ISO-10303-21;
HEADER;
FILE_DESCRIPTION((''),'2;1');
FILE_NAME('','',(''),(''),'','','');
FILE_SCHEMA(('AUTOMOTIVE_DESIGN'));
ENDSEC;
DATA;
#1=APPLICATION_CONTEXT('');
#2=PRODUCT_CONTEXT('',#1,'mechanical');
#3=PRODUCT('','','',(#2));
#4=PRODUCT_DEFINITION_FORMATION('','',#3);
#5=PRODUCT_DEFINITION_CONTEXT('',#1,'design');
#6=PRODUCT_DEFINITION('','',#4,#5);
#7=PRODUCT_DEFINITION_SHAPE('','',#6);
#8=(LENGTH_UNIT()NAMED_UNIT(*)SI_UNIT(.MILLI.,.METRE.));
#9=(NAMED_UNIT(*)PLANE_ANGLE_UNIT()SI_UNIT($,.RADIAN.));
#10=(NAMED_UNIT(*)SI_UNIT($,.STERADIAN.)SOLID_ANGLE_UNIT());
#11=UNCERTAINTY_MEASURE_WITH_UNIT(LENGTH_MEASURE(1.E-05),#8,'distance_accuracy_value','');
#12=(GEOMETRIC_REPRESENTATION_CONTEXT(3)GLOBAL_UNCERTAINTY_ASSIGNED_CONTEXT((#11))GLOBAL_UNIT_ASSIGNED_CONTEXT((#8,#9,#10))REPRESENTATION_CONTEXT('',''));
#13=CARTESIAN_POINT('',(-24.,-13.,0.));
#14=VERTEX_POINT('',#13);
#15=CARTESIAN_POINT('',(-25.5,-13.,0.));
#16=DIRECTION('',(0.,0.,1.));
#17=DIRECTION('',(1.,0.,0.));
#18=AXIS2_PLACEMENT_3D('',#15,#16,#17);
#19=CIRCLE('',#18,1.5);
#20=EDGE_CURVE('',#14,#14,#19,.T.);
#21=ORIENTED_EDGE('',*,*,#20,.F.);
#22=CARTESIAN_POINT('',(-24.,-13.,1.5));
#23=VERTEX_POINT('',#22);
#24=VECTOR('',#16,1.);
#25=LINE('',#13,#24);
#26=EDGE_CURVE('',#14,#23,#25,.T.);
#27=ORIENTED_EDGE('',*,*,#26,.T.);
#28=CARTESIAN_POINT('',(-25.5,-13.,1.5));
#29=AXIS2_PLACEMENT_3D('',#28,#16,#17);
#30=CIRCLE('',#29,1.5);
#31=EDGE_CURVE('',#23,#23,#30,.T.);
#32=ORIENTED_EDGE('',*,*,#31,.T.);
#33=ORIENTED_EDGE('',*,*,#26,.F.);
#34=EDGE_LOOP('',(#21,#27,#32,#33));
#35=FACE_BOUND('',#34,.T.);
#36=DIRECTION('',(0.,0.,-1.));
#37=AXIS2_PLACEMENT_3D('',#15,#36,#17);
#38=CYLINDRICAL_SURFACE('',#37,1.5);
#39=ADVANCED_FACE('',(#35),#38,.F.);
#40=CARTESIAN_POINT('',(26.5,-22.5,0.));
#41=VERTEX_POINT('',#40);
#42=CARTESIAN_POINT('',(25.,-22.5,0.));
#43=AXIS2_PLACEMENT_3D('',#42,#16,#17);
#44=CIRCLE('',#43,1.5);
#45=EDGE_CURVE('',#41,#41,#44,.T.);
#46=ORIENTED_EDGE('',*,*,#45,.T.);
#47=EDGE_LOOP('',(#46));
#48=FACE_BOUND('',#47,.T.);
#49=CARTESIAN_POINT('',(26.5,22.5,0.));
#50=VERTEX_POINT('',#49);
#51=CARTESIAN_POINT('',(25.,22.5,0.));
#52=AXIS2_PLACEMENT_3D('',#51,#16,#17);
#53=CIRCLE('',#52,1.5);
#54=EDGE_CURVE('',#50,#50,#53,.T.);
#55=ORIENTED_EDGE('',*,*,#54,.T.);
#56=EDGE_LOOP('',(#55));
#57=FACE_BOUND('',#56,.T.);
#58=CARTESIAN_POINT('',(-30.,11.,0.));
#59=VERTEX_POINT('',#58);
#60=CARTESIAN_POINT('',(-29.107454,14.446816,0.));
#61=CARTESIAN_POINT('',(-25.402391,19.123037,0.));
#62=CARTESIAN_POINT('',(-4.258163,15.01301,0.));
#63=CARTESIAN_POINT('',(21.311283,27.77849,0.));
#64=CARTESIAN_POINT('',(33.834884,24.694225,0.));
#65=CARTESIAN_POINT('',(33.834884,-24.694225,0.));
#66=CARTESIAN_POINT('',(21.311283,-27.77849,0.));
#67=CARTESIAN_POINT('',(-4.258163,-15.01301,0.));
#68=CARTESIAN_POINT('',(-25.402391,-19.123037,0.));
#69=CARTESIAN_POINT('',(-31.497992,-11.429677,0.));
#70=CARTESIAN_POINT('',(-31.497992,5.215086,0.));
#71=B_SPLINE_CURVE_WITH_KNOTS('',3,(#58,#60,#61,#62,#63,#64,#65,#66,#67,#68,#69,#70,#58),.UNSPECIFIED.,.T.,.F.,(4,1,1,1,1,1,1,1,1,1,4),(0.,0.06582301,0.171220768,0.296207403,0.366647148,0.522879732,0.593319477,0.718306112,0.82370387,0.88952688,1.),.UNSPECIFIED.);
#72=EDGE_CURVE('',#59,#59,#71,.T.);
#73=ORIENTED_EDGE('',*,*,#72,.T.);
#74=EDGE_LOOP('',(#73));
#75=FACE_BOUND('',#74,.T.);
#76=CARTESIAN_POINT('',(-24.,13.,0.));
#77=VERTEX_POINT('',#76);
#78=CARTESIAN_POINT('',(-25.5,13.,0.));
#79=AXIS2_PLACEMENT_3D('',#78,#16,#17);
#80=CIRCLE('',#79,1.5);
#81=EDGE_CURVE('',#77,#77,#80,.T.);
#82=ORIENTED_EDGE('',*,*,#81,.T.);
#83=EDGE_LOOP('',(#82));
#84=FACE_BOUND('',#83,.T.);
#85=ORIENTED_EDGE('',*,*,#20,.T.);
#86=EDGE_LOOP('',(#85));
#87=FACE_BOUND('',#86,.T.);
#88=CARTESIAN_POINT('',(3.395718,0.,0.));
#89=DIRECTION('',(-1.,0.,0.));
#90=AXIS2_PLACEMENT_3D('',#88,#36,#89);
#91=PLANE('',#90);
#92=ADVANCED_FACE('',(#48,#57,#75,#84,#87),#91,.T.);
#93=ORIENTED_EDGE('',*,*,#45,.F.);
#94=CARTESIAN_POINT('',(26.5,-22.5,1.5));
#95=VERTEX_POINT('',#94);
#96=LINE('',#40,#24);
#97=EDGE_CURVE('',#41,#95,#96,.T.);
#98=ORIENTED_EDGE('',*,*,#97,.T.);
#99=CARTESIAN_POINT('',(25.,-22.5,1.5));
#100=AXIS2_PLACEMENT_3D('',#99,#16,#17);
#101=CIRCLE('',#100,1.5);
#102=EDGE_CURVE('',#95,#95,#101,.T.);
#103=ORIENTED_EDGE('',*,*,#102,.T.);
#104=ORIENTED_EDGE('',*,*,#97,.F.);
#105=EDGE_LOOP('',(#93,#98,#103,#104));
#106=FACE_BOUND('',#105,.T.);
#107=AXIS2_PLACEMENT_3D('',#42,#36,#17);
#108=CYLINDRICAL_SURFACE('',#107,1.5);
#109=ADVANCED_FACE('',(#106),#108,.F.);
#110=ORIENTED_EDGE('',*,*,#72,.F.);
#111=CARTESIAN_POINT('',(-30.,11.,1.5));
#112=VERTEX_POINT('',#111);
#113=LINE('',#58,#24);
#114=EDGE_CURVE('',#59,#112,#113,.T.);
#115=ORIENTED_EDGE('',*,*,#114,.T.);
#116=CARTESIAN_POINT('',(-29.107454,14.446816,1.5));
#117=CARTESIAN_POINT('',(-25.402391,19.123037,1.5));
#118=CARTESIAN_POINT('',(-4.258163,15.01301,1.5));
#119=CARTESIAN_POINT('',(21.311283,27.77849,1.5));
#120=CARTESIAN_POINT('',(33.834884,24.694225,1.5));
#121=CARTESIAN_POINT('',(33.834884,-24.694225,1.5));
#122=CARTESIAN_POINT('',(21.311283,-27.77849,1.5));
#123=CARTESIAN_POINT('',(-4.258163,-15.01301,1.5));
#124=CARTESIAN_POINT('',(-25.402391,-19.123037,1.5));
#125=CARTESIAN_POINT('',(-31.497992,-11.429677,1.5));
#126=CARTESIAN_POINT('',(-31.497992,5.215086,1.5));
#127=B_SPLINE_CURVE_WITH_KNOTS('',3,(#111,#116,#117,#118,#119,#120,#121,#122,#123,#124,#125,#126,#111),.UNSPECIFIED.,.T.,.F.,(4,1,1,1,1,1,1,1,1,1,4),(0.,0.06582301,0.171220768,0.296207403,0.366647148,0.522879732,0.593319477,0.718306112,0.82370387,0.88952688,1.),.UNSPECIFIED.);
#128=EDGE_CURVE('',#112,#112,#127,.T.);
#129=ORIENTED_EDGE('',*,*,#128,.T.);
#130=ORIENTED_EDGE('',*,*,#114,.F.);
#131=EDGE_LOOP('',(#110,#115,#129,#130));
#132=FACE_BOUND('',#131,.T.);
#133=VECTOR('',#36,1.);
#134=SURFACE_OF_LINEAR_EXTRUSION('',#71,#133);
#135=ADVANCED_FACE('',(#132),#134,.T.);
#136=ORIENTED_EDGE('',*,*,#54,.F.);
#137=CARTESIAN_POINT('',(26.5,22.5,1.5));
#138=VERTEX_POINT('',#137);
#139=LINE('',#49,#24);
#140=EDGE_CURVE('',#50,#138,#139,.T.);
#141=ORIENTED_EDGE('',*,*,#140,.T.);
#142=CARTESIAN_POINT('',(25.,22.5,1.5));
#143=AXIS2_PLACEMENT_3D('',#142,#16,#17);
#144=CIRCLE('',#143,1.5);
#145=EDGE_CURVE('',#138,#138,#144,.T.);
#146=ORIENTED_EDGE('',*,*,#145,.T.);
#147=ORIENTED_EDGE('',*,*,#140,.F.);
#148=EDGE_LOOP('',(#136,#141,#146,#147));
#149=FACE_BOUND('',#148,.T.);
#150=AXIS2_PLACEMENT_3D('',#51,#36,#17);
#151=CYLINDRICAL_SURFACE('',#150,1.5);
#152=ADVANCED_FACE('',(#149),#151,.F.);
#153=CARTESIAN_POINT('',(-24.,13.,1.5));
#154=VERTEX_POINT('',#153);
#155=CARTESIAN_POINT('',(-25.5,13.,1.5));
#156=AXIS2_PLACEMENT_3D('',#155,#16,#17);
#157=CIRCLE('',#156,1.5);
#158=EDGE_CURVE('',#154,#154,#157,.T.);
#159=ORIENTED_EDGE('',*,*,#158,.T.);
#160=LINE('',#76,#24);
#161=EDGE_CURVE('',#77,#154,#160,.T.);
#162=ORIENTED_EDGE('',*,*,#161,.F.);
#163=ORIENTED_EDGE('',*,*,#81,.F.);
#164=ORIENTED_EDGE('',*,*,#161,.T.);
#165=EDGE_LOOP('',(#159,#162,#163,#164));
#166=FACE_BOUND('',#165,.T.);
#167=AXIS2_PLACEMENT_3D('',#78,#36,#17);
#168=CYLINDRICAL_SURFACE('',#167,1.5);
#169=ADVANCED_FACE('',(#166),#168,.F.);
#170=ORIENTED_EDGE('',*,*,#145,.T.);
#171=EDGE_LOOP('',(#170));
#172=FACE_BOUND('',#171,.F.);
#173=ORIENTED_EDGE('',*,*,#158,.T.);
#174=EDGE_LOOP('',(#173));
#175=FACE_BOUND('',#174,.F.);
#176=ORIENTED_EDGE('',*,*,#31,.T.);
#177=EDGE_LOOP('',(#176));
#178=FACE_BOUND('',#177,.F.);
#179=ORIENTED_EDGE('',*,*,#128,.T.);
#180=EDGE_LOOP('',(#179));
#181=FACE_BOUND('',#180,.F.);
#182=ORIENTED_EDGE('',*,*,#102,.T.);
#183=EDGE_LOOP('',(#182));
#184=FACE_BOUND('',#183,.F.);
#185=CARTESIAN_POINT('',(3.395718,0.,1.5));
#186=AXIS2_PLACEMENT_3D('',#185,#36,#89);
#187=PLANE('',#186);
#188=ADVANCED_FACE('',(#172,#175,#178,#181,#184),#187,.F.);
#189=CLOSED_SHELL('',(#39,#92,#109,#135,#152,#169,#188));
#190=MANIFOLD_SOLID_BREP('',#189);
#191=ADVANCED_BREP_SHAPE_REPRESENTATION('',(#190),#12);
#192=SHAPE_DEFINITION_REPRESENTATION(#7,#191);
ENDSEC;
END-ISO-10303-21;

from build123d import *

# Parameters (mm, degrees)
F0_R     = 1.5
F1_DEPTH = 1.5


with BuildPart() as f1:
    # F0 (on Top) → F1 (new body)
    with BuildSketch(Plane.XY):
        with BuildLine():
            add(Edge.make_bspline(
                [(-30, 11), (-29.1074538581, 14.4468155541), (-25.4023913552, 19.1230370938), (-4.2581625809, 15.0130103439), (21.3112833708, 27.778490021), (33.8348841446, 24.6942246), (33.8348841446, -24.6942246), (21.3112833708, -27.778490021), (-4.2581625809, -15.0130103439), (-25.4023913552, -19.1230370938), (-31.4979922231, -11.4296769807), (-31.4979922231, 5.2150857506), (-30, 11)],
                knots=[0, 0, 0, 0, 0.0658230099, 0.1712207677, 0.2962074027, 0.3666471478, 0.5228797323, 0.5933194774, 0.7183061123, 0.8237038702, 0.8895268801, 1, 1, 1, 1], degree=3))
        make_face()
        with Locations((-25.5, -13)):
            Circle(F0_R, mode=Mode.SUBTRACT)
        with Locations((25, -22.5)):
            Circle(F0_R, mode=Mode.SUBTRACT)
        with Locations((-25.5, 13)):
            Circle(F0_R, mode=Mode.SUBTRACT)
        with Locations((25, 22.5)):
            Circle(F0_R, mode=Mode.SUBTRACT)
    extrude(amount=F1_DEPTH)


solid = f1.part
